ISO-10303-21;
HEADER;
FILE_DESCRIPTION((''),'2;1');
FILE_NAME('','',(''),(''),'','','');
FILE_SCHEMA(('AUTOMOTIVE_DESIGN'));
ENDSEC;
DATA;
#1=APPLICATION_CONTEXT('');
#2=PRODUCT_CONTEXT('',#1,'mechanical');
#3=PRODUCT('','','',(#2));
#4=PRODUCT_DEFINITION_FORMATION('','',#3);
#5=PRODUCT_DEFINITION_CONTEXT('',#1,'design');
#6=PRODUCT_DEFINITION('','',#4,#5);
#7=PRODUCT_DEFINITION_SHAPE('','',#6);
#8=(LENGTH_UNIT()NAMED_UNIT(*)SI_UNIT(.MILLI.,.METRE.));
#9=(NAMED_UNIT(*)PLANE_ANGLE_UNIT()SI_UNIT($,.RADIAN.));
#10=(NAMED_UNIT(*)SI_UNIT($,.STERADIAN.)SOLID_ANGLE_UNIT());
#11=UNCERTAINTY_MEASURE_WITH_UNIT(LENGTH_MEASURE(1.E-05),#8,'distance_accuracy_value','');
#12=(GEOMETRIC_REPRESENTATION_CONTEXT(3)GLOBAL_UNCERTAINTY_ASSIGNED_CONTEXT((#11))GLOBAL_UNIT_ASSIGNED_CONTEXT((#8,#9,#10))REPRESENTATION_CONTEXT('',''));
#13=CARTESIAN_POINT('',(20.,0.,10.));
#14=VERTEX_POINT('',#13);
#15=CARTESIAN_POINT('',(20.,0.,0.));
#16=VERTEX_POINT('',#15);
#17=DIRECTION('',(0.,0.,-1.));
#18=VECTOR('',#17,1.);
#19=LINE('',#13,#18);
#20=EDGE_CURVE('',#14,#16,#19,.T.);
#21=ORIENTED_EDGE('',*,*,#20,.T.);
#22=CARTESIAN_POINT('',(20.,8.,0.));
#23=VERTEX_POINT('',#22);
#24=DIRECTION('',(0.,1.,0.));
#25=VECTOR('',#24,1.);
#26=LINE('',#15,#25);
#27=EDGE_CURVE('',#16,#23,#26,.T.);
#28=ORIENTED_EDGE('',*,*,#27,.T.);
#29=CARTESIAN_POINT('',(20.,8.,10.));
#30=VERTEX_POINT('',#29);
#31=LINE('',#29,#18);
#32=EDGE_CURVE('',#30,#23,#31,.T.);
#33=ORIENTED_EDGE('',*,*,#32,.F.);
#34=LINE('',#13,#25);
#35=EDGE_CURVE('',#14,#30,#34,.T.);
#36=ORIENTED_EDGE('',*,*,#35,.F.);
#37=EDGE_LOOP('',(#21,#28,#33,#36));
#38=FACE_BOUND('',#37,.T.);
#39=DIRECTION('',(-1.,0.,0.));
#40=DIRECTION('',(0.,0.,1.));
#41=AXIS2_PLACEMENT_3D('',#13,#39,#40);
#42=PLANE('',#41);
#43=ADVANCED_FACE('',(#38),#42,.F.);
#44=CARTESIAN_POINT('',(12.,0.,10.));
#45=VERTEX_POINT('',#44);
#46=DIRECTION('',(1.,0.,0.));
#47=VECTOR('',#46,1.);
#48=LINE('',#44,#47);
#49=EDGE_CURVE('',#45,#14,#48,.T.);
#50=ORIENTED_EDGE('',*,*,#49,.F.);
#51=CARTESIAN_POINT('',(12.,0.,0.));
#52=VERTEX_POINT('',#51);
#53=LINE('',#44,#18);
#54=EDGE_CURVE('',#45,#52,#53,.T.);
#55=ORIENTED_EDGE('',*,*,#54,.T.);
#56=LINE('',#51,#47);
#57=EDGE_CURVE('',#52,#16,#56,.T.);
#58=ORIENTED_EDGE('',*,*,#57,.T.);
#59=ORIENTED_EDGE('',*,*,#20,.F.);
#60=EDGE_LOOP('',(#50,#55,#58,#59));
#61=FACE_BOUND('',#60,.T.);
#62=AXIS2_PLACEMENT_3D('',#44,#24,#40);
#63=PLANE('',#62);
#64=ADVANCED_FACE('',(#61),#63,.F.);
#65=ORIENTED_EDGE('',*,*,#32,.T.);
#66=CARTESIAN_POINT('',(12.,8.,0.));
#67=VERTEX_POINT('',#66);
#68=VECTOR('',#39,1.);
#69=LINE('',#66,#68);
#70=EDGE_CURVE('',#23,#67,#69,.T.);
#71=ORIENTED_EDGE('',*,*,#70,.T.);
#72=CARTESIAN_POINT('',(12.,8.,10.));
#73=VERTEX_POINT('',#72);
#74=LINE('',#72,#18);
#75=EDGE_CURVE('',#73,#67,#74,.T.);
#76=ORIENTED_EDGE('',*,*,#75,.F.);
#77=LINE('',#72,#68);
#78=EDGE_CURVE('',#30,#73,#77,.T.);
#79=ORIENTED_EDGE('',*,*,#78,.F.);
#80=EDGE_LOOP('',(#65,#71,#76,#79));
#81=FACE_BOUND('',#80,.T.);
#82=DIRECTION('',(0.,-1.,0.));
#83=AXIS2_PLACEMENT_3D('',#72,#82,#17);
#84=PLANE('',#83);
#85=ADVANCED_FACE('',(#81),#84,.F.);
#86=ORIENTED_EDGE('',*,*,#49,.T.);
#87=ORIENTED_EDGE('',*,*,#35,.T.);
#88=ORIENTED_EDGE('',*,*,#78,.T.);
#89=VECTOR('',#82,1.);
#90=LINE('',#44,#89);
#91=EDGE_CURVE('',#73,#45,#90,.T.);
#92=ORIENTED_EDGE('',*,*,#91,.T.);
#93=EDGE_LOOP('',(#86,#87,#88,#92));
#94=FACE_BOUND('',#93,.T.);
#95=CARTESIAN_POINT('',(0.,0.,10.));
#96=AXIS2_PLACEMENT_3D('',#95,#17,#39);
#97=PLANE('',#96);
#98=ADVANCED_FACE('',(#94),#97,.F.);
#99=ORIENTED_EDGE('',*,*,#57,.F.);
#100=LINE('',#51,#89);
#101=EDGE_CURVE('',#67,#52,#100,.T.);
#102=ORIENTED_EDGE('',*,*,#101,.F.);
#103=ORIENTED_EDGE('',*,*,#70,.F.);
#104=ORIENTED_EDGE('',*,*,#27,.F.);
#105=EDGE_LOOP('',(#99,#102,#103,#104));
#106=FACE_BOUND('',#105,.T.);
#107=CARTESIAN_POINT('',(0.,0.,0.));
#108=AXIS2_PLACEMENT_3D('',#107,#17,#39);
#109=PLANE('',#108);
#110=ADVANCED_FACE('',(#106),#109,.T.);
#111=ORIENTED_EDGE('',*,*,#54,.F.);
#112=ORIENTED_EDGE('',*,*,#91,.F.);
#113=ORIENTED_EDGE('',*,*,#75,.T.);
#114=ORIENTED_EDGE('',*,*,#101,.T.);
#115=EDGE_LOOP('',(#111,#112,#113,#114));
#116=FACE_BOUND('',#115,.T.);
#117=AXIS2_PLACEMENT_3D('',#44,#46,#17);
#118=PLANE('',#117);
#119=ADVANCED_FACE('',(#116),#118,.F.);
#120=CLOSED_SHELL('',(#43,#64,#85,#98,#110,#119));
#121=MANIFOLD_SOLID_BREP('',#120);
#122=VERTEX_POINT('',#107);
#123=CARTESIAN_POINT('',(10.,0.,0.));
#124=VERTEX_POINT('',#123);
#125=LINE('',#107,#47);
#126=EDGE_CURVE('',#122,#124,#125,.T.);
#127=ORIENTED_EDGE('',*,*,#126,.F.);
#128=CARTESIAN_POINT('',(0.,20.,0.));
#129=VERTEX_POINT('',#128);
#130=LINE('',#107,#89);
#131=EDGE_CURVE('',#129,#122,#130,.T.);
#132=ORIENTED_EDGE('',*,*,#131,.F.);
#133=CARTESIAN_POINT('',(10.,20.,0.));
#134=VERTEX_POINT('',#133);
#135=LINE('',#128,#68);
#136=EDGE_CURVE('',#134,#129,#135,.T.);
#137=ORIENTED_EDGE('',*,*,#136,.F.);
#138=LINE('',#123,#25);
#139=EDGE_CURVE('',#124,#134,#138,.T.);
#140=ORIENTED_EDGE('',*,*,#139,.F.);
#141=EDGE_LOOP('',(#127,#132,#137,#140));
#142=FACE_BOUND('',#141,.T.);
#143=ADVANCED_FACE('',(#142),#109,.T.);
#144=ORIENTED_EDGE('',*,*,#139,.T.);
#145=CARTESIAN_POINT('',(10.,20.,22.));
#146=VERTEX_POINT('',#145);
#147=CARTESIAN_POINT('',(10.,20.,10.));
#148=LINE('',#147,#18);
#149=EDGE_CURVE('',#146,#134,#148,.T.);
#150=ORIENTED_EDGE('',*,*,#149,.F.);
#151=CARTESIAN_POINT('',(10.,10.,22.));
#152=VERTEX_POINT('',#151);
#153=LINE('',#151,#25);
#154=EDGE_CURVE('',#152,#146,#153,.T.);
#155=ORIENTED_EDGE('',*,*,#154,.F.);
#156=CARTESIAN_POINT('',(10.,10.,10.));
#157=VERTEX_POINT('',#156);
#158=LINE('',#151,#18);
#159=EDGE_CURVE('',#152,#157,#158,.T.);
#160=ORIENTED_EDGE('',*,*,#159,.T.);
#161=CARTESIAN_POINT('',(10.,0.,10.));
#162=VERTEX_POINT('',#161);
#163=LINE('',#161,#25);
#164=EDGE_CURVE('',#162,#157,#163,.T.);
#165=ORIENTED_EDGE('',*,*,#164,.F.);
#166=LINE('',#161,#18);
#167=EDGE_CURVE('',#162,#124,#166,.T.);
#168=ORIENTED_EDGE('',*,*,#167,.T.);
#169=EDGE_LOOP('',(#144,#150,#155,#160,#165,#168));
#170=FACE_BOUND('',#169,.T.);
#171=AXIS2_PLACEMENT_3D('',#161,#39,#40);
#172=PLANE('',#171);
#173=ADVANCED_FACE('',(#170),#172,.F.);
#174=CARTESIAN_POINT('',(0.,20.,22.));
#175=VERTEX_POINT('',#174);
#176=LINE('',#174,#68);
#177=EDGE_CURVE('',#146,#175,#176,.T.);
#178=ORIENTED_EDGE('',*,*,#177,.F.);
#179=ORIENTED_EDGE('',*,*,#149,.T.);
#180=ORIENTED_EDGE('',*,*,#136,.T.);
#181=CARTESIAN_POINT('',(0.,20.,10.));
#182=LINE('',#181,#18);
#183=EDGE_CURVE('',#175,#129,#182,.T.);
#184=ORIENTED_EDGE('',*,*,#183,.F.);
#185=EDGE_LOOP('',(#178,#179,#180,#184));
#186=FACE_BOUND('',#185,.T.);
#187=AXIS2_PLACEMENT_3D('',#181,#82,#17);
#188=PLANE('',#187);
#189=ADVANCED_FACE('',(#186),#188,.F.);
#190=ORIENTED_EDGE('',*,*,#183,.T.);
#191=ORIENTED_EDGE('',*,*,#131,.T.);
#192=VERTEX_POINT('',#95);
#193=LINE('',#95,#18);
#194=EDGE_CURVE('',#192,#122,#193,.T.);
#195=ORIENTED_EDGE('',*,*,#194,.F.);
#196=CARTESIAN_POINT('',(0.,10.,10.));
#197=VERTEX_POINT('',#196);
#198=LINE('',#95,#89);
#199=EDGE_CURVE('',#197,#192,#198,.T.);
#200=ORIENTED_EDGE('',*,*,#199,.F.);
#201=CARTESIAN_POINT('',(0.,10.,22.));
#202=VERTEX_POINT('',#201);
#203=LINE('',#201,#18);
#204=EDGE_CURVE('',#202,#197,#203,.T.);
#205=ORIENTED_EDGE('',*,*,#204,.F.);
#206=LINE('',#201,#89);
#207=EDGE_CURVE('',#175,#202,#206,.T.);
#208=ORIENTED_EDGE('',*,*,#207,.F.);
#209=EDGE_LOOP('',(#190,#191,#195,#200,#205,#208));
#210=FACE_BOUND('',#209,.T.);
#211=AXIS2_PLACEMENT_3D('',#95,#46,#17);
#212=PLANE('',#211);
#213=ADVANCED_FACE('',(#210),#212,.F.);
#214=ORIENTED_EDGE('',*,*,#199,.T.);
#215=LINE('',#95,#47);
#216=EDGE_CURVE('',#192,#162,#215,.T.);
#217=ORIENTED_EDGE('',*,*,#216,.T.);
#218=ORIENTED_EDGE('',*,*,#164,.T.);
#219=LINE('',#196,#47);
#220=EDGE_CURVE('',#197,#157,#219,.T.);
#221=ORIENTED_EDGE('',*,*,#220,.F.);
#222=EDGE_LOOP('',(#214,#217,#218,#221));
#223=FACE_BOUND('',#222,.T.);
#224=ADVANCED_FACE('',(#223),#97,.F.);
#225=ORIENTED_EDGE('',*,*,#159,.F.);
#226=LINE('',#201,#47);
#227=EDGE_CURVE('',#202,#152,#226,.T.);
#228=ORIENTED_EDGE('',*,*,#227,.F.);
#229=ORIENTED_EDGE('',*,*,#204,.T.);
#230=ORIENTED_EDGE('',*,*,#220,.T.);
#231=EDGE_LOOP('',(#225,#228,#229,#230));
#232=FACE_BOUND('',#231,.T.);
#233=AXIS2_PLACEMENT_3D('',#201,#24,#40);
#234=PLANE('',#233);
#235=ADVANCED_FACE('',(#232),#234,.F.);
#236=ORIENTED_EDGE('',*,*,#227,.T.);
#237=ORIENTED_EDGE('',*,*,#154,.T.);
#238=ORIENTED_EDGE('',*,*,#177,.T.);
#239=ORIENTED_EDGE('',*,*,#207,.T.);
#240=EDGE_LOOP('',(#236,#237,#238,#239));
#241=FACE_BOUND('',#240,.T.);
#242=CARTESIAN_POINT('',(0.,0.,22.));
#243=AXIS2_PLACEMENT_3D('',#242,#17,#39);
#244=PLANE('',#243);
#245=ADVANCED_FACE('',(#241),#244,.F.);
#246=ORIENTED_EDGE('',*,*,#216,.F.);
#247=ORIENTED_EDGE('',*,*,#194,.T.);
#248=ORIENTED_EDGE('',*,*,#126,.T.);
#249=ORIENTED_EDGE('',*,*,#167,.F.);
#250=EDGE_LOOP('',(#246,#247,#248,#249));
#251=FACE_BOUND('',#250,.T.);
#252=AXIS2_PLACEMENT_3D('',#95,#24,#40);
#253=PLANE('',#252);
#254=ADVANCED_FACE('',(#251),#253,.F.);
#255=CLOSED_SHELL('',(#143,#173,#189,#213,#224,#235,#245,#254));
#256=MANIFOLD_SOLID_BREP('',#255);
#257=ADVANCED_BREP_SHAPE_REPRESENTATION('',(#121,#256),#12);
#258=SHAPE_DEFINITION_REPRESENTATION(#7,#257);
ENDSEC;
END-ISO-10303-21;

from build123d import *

# Parameters (mm, degrees)
SKETCH1_W           = 10
SKETCH1_H           = 20
BOSS_EXTRUDE1_DEPTH = 10
SKETCH2_W           = 10
SKETCH2_H           = 10
BOSS_EXTRUDE2_DEPTH = 22
SKETCH3_W           = 8
SKETCH3_H           = 8
BOSS_EXTRUDE3_DEPTH = 10


with BuildPart() as part:
    # Sketch1 → Boss-Extrude1 (new body)
    with BuildSketch(Plane.XY):
        with Locations((5, 10)):
            Rectangle(SKETCH1_W, SKETCH1_H)
    extrude(amount=BOSS_EXTRUDE1_DEPTH)

    # Sketch2 → Boss-Extrude2 (add)
    with BuildSketch(Plane.XY):
        with Locations((5, 15)):
            Rectangle(SKETCH2_W, SKETCH2_H)
    extrude(amount=BOSS_EXTRUDE2_DEPTH)


with BuildPart() as body_2:
    # Sketch3 → Boss-Extrude3 (new body)
    with BuildSketch(Plane.XY):
        with Locations((16, 4)):
            Rectangle(SKETCH3_W, SKETCH3_H)
    extrude(amount=BOSS_EXTRUDE3_DEPTH)


solid = Compound([part.part, body_2.part])
